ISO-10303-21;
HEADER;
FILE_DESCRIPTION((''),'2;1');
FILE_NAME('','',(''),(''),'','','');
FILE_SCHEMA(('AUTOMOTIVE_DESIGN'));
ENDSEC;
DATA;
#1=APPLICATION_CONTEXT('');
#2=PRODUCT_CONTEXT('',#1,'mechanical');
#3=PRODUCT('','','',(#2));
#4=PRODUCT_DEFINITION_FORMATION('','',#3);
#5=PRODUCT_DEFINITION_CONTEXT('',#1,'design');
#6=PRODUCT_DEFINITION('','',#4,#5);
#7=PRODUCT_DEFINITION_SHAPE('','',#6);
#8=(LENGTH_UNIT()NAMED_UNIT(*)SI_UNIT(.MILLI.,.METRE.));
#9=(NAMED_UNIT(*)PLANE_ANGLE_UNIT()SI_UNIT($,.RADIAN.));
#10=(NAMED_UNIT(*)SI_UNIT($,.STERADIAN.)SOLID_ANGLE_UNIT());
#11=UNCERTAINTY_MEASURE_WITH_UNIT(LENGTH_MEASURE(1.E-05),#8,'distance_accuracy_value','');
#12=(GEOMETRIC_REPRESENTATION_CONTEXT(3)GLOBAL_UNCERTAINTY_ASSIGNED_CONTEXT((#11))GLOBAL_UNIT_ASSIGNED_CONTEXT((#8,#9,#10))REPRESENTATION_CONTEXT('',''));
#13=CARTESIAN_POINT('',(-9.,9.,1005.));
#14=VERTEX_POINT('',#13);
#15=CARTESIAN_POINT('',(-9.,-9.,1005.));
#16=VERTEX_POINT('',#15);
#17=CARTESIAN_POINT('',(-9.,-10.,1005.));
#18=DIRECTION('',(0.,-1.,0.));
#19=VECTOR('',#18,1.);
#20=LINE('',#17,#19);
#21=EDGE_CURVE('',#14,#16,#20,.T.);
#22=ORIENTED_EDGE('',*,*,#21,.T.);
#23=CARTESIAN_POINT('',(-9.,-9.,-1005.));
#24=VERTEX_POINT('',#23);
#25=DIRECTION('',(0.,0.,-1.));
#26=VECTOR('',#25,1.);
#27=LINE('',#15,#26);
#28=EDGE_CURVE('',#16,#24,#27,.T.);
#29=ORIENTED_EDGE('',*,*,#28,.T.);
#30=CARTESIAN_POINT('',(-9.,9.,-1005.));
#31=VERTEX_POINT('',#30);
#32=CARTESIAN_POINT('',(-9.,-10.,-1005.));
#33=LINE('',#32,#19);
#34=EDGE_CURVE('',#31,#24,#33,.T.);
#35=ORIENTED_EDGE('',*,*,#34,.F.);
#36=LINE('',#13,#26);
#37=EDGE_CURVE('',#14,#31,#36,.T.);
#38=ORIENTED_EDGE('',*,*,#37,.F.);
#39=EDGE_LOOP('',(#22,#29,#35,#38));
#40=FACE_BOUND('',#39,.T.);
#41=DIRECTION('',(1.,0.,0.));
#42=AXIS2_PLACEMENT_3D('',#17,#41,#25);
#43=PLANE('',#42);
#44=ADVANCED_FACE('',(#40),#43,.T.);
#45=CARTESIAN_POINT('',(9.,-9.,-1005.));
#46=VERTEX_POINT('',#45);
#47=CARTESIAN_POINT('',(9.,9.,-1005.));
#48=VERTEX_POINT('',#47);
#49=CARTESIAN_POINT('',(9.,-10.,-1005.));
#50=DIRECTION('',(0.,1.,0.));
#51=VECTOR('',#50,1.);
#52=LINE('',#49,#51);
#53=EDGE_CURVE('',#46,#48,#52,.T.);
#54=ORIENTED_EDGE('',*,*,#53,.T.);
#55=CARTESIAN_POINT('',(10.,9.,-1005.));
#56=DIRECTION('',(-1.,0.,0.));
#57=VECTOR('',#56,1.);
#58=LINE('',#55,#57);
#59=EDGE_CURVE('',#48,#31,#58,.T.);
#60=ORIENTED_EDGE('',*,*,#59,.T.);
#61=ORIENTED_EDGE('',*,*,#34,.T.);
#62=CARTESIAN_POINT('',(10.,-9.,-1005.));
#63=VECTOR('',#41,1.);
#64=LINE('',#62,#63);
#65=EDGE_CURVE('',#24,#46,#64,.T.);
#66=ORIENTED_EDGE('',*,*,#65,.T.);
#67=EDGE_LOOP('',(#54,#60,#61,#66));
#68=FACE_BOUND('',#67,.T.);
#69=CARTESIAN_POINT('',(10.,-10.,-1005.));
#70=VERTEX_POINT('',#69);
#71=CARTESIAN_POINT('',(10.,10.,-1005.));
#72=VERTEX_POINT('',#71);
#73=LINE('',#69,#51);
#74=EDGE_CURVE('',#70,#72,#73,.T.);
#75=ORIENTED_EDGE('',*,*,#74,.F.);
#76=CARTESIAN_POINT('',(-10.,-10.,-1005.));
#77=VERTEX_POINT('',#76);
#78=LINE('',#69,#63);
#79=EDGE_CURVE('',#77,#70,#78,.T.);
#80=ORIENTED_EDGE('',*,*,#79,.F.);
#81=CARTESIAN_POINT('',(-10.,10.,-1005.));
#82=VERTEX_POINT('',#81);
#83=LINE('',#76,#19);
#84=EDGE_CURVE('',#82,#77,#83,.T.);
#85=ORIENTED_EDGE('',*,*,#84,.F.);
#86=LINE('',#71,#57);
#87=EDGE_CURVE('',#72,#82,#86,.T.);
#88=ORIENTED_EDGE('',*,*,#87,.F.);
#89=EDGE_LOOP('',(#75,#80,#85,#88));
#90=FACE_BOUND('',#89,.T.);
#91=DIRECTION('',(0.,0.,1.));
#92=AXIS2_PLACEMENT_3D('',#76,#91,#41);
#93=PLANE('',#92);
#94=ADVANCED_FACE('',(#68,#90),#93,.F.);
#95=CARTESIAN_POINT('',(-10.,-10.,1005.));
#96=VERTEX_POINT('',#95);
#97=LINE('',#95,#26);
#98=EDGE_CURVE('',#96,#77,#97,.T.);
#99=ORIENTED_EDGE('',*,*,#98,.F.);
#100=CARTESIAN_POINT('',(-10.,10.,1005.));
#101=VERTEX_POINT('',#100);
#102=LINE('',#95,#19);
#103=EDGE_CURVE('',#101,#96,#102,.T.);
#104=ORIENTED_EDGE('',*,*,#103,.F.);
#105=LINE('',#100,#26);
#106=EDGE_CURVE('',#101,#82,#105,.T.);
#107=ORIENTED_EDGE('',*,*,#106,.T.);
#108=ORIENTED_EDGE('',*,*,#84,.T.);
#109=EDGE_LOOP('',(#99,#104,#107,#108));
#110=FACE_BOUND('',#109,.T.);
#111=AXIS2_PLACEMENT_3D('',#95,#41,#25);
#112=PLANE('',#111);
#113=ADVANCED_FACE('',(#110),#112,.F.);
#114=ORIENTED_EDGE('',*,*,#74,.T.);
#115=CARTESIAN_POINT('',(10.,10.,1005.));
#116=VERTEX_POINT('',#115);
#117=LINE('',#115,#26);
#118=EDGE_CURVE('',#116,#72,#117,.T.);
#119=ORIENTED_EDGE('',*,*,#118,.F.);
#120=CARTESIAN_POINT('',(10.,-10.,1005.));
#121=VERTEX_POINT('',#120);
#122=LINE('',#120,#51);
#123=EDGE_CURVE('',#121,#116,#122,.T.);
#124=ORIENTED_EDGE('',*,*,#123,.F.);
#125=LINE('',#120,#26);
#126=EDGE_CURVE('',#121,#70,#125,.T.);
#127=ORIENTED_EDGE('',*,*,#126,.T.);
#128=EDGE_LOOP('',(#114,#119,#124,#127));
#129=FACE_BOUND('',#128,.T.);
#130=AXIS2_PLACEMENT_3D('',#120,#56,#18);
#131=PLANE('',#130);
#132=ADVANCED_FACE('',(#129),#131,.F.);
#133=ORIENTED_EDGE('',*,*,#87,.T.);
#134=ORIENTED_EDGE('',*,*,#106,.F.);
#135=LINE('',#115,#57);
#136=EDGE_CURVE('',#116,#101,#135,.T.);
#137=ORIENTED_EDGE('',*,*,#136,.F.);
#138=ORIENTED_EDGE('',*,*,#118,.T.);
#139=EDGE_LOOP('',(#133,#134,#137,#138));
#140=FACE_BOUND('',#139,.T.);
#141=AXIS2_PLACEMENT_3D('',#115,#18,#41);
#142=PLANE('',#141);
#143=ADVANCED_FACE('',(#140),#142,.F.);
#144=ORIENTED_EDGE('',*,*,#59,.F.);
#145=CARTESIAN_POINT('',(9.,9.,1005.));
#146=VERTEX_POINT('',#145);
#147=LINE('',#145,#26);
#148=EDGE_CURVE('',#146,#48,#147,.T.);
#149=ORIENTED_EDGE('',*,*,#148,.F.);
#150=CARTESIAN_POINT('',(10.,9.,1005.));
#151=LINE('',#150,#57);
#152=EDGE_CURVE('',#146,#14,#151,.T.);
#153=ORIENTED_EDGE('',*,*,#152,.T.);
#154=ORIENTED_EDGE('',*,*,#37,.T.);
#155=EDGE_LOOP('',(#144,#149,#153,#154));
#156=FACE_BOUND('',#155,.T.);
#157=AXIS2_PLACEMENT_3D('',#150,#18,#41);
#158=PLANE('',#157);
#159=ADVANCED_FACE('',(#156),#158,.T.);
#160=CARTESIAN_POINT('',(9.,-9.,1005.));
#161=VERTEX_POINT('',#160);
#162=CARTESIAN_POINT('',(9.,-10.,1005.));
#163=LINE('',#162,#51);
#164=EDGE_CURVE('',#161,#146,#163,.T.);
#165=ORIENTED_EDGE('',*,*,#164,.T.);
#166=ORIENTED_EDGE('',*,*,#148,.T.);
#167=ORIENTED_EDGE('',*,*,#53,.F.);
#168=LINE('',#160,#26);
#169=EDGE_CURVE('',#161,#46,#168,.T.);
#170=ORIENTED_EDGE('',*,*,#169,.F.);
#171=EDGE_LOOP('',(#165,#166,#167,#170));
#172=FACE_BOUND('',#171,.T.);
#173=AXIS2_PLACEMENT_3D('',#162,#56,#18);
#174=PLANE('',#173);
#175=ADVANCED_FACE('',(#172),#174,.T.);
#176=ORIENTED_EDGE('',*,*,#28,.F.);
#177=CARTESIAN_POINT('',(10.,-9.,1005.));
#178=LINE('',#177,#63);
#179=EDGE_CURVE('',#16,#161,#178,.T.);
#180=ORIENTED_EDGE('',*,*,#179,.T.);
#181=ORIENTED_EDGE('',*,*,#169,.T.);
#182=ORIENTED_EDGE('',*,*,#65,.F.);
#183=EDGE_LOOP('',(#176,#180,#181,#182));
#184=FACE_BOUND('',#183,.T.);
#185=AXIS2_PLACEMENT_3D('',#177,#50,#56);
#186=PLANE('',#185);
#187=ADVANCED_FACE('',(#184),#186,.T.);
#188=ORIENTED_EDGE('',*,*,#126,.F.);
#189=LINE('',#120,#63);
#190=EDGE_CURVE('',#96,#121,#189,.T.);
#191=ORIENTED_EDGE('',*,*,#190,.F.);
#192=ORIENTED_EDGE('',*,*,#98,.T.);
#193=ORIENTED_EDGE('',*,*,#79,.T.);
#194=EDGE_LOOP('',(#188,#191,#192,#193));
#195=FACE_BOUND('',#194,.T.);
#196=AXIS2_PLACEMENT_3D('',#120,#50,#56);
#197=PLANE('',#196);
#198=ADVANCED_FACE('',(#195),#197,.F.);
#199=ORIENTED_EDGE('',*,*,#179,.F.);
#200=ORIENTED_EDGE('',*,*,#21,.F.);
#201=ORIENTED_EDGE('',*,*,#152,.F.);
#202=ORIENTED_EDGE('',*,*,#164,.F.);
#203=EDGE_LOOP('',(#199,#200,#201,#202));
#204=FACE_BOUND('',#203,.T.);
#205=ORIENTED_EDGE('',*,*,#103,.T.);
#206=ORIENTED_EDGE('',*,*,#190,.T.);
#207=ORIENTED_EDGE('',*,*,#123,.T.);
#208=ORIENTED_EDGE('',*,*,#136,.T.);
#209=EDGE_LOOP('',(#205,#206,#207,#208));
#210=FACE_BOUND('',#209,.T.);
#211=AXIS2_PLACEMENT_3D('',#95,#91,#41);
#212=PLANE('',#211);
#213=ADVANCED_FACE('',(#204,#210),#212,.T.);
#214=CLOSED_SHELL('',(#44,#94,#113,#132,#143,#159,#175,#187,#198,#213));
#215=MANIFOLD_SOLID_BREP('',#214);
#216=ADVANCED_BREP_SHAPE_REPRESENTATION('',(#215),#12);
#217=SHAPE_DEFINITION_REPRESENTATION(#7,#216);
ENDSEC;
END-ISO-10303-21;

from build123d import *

# Parameters (mm, degrees)
CROQUIS1_W            = 20
CROQUIS1_H            = 20
CROQUIS1_W_2          = 18
CROQUIS1_H_2          = 18
EXTRUIR_L_MINA1_DEPTH = 1005


with BuildPart() as part:
    # Croquis1 → Extruir-Lámina1 (new, symmetric)
    with BuildSketch(Plane.XY):
        Rectangle(CROQUIS1_W, CROQUIS1_H)
        Rectangle(CROQUIS1_W_2, CROQUIS1_H_2, mode=Mode.SUBTRACT)
    extrude(amount=EXTRUIR_L_MINA1_DEPTH, both=True)


solid = part.part
